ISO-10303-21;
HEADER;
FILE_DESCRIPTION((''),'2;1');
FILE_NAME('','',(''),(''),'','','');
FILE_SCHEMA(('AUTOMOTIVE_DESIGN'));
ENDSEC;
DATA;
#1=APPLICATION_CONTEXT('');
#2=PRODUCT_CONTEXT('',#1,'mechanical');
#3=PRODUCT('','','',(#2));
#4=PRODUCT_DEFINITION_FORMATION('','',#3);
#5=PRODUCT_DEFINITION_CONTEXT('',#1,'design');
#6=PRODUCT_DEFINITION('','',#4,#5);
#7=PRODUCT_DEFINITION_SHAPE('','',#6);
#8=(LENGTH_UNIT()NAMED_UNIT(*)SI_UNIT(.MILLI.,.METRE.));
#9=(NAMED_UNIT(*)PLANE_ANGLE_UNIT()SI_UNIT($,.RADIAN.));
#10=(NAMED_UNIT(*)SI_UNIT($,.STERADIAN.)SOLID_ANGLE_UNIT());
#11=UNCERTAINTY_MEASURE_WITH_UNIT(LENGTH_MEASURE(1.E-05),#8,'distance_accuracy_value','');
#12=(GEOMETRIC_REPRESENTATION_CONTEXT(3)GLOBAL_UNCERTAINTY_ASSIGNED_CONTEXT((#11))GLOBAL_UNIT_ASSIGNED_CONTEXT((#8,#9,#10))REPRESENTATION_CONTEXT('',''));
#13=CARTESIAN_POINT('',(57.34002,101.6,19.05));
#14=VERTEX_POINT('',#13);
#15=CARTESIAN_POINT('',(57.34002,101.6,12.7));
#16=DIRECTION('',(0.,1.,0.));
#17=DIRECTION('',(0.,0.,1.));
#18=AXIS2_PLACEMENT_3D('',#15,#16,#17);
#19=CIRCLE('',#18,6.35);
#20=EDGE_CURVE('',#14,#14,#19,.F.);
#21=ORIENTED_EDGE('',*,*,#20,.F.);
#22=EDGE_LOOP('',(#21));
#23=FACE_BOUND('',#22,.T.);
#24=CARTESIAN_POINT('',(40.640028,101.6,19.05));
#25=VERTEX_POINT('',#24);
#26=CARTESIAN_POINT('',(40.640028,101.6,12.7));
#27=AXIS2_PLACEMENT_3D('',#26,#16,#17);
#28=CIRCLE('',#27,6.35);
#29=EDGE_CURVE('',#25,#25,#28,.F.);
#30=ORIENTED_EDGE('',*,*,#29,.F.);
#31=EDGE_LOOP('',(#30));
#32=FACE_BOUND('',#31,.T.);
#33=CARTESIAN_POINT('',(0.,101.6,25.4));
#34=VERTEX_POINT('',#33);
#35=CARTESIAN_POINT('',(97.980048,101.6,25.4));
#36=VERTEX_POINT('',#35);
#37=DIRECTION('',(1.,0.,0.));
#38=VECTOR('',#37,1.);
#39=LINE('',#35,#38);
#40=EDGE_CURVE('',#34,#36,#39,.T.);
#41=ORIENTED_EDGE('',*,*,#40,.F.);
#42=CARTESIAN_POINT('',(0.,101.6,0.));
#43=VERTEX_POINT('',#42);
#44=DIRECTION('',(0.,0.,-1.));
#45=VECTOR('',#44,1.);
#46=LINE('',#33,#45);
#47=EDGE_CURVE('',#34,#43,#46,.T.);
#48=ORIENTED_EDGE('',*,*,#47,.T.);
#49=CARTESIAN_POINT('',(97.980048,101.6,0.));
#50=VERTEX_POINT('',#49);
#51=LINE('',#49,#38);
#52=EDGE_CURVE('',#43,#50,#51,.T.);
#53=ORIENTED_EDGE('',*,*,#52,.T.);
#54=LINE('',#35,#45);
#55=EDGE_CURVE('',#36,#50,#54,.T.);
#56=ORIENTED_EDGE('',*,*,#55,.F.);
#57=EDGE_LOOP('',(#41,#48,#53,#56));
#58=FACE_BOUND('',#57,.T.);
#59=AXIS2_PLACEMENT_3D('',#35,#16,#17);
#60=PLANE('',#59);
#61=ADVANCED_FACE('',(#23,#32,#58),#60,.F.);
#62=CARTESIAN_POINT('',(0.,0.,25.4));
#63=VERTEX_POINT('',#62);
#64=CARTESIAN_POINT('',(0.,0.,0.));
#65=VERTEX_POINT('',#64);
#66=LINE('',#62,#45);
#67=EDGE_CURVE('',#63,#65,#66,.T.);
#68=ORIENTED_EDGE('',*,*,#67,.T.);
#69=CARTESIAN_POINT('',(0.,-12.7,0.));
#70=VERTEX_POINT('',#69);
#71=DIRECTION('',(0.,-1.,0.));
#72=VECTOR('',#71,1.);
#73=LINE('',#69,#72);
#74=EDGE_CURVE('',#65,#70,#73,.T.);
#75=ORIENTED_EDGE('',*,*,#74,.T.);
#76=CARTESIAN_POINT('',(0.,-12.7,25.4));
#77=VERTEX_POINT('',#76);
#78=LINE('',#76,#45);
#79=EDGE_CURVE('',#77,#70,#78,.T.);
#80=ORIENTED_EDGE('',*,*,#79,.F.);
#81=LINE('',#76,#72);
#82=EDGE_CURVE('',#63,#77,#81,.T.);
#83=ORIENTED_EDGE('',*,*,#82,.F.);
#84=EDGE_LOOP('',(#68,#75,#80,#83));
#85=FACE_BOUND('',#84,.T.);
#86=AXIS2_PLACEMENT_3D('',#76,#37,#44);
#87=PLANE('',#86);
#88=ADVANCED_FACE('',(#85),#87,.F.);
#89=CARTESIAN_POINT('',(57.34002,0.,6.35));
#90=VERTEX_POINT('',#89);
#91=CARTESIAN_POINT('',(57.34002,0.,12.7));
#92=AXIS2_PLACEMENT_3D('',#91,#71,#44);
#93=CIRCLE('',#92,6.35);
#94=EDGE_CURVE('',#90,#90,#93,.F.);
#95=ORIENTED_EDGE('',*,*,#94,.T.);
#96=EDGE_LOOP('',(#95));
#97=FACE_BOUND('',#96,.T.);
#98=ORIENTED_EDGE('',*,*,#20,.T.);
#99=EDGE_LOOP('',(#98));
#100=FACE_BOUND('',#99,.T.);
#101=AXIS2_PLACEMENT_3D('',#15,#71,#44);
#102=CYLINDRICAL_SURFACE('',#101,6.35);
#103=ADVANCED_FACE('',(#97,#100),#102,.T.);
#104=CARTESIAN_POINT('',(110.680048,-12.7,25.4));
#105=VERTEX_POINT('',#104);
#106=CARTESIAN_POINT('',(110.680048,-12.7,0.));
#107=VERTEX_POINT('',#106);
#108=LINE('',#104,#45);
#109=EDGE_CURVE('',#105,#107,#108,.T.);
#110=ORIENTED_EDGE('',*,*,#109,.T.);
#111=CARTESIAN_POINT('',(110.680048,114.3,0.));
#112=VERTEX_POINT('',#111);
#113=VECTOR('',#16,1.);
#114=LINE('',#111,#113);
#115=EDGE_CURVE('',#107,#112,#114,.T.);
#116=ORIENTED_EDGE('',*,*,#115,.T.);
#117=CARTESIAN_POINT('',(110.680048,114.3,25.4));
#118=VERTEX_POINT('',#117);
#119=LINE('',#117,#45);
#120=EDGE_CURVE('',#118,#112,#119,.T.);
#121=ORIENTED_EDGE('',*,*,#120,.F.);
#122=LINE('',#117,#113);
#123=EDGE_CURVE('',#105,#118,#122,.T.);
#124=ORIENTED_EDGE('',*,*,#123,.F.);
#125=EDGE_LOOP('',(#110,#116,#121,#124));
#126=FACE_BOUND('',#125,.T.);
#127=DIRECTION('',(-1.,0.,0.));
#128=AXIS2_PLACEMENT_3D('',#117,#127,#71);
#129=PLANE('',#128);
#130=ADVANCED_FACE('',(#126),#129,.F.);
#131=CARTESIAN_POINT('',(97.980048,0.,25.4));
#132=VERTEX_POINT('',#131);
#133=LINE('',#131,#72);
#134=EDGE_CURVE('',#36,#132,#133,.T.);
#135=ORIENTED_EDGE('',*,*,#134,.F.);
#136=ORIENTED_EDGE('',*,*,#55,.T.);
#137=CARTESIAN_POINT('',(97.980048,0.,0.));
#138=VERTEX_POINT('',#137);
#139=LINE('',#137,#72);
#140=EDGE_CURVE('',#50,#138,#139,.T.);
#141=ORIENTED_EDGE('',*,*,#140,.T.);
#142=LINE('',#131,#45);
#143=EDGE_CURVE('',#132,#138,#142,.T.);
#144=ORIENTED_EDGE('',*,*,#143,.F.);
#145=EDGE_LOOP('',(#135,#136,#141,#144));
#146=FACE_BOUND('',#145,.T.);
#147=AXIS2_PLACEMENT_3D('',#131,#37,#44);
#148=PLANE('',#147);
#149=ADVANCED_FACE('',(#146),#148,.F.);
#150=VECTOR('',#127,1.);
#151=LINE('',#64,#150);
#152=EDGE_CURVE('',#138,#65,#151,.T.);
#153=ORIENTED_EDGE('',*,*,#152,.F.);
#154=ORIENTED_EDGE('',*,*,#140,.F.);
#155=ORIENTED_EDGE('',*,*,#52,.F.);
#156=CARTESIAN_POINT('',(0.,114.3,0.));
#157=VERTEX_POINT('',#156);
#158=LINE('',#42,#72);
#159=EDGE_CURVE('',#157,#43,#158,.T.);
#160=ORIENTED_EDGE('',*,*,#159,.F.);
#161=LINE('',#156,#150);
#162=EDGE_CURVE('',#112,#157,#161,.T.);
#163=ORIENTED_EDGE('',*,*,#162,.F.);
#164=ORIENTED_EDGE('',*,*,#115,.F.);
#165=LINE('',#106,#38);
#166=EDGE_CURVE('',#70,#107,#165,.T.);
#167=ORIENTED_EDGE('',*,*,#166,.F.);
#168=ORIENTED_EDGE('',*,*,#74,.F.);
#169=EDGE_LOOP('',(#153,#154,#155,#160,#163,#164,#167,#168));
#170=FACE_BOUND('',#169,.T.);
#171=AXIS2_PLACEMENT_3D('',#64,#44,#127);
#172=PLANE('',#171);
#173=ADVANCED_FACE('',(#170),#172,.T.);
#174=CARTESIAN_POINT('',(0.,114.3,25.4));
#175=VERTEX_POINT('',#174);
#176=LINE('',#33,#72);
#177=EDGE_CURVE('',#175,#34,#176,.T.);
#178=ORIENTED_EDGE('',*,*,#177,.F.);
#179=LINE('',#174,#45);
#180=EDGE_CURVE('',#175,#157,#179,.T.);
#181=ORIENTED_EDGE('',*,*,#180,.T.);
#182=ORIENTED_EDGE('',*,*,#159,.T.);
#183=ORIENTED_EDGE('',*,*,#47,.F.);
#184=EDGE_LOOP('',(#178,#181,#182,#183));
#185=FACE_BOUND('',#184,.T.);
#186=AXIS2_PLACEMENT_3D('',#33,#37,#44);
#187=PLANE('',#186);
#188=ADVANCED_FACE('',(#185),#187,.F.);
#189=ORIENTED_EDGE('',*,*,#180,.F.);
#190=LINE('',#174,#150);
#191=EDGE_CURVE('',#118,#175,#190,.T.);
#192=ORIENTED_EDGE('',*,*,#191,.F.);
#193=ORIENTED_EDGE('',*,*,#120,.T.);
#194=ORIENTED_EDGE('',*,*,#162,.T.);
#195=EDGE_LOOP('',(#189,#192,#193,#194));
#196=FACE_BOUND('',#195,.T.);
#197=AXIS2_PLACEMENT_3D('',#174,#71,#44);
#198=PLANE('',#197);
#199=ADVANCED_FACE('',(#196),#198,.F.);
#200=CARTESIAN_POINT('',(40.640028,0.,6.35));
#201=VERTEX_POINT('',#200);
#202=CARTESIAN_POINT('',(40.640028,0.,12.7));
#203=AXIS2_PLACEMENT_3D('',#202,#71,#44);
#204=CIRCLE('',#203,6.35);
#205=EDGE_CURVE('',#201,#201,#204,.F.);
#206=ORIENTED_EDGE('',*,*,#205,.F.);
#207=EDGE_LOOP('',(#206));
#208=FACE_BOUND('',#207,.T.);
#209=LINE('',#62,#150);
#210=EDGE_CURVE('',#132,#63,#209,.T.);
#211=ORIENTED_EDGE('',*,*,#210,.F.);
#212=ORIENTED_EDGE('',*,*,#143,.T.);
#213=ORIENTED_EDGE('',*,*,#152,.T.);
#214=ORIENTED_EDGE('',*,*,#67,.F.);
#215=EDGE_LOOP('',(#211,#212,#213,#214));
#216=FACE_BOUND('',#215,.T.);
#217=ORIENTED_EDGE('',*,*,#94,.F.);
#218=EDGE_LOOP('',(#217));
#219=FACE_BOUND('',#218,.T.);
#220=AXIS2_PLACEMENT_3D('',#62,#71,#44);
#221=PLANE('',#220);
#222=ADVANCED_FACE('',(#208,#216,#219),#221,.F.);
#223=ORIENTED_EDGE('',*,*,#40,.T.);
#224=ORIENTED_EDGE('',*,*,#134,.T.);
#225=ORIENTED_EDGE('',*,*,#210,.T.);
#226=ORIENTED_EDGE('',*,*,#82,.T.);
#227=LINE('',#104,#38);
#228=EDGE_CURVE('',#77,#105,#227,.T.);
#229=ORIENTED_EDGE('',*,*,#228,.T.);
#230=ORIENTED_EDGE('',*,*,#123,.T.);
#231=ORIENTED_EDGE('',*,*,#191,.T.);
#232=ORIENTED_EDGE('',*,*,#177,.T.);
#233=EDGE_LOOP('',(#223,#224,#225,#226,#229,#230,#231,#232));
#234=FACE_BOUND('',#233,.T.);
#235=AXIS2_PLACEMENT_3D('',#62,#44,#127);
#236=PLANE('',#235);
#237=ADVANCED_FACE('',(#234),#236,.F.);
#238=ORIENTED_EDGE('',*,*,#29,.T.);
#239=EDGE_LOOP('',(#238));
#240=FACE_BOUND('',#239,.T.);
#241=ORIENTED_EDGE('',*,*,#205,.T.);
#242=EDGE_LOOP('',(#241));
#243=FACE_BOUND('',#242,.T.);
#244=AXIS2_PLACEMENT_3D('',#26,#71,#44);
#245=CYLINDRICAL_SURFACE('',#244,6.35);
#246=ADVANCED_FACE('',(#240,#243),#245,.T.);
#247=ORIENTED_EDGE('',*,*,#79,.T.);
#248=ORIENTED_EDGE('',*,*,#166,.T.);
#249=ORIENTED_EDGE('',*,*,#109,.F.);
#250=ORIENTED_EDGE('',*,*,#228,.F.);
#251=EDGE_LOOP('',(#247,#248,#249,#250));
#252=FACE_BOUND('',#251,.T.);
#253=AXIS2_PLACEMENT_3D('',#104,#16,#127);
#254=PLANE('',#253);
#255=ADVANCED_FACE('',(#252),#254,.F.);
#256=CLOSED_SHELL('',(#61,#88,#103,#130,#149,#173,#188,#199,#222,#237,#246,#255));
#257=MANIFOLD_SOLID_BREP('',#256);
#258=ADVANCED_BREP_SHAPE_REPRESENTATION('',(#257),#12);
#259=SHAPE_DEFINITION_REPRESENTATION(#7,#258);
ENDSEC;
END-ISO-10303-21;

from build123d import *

# Parameters (mm, degrees)
BOSS_EXTRUDE1_DEPTH = 25.4
SKETCH2_R           = 6.35
BOSS_EXTRUDE2_DEPTH = 101.6


with BuildPart() as part:
    # Sketch1 → Boss-Extrude1 (new body)
    with BuildSketch(Plane.XY):
        Polygon((0, 0), (97.980047506, 0), (97.980047506, 101.6), (0, 101.6), (0, 114.3), (110.680047506, 114.3), (110.680047506, -12.7), (0, -12.7), align=None)
    extrude(amount=BOSS_EXTRUDE1_DEPTH)

    # Sketch2 → Boss-Extrude2 (add)
    with BuildSketch(Plane(origin=(0, 0, 0), x_dir=(1, 0, 0), z_dir=(0, 1, 0))):
        with Locations(Location((40.640027753, -12.7, 0), (0, 0, 90))):
            Circle(SKETCH2_R)
        with Locations(Location((57.340019753, -12.7, 0), (0, 0, 90))):
            Circle(SKETCH2_R)
    extrude(amount=BOSS_EXTRUDE2_DEPTH)


solid = part.part
